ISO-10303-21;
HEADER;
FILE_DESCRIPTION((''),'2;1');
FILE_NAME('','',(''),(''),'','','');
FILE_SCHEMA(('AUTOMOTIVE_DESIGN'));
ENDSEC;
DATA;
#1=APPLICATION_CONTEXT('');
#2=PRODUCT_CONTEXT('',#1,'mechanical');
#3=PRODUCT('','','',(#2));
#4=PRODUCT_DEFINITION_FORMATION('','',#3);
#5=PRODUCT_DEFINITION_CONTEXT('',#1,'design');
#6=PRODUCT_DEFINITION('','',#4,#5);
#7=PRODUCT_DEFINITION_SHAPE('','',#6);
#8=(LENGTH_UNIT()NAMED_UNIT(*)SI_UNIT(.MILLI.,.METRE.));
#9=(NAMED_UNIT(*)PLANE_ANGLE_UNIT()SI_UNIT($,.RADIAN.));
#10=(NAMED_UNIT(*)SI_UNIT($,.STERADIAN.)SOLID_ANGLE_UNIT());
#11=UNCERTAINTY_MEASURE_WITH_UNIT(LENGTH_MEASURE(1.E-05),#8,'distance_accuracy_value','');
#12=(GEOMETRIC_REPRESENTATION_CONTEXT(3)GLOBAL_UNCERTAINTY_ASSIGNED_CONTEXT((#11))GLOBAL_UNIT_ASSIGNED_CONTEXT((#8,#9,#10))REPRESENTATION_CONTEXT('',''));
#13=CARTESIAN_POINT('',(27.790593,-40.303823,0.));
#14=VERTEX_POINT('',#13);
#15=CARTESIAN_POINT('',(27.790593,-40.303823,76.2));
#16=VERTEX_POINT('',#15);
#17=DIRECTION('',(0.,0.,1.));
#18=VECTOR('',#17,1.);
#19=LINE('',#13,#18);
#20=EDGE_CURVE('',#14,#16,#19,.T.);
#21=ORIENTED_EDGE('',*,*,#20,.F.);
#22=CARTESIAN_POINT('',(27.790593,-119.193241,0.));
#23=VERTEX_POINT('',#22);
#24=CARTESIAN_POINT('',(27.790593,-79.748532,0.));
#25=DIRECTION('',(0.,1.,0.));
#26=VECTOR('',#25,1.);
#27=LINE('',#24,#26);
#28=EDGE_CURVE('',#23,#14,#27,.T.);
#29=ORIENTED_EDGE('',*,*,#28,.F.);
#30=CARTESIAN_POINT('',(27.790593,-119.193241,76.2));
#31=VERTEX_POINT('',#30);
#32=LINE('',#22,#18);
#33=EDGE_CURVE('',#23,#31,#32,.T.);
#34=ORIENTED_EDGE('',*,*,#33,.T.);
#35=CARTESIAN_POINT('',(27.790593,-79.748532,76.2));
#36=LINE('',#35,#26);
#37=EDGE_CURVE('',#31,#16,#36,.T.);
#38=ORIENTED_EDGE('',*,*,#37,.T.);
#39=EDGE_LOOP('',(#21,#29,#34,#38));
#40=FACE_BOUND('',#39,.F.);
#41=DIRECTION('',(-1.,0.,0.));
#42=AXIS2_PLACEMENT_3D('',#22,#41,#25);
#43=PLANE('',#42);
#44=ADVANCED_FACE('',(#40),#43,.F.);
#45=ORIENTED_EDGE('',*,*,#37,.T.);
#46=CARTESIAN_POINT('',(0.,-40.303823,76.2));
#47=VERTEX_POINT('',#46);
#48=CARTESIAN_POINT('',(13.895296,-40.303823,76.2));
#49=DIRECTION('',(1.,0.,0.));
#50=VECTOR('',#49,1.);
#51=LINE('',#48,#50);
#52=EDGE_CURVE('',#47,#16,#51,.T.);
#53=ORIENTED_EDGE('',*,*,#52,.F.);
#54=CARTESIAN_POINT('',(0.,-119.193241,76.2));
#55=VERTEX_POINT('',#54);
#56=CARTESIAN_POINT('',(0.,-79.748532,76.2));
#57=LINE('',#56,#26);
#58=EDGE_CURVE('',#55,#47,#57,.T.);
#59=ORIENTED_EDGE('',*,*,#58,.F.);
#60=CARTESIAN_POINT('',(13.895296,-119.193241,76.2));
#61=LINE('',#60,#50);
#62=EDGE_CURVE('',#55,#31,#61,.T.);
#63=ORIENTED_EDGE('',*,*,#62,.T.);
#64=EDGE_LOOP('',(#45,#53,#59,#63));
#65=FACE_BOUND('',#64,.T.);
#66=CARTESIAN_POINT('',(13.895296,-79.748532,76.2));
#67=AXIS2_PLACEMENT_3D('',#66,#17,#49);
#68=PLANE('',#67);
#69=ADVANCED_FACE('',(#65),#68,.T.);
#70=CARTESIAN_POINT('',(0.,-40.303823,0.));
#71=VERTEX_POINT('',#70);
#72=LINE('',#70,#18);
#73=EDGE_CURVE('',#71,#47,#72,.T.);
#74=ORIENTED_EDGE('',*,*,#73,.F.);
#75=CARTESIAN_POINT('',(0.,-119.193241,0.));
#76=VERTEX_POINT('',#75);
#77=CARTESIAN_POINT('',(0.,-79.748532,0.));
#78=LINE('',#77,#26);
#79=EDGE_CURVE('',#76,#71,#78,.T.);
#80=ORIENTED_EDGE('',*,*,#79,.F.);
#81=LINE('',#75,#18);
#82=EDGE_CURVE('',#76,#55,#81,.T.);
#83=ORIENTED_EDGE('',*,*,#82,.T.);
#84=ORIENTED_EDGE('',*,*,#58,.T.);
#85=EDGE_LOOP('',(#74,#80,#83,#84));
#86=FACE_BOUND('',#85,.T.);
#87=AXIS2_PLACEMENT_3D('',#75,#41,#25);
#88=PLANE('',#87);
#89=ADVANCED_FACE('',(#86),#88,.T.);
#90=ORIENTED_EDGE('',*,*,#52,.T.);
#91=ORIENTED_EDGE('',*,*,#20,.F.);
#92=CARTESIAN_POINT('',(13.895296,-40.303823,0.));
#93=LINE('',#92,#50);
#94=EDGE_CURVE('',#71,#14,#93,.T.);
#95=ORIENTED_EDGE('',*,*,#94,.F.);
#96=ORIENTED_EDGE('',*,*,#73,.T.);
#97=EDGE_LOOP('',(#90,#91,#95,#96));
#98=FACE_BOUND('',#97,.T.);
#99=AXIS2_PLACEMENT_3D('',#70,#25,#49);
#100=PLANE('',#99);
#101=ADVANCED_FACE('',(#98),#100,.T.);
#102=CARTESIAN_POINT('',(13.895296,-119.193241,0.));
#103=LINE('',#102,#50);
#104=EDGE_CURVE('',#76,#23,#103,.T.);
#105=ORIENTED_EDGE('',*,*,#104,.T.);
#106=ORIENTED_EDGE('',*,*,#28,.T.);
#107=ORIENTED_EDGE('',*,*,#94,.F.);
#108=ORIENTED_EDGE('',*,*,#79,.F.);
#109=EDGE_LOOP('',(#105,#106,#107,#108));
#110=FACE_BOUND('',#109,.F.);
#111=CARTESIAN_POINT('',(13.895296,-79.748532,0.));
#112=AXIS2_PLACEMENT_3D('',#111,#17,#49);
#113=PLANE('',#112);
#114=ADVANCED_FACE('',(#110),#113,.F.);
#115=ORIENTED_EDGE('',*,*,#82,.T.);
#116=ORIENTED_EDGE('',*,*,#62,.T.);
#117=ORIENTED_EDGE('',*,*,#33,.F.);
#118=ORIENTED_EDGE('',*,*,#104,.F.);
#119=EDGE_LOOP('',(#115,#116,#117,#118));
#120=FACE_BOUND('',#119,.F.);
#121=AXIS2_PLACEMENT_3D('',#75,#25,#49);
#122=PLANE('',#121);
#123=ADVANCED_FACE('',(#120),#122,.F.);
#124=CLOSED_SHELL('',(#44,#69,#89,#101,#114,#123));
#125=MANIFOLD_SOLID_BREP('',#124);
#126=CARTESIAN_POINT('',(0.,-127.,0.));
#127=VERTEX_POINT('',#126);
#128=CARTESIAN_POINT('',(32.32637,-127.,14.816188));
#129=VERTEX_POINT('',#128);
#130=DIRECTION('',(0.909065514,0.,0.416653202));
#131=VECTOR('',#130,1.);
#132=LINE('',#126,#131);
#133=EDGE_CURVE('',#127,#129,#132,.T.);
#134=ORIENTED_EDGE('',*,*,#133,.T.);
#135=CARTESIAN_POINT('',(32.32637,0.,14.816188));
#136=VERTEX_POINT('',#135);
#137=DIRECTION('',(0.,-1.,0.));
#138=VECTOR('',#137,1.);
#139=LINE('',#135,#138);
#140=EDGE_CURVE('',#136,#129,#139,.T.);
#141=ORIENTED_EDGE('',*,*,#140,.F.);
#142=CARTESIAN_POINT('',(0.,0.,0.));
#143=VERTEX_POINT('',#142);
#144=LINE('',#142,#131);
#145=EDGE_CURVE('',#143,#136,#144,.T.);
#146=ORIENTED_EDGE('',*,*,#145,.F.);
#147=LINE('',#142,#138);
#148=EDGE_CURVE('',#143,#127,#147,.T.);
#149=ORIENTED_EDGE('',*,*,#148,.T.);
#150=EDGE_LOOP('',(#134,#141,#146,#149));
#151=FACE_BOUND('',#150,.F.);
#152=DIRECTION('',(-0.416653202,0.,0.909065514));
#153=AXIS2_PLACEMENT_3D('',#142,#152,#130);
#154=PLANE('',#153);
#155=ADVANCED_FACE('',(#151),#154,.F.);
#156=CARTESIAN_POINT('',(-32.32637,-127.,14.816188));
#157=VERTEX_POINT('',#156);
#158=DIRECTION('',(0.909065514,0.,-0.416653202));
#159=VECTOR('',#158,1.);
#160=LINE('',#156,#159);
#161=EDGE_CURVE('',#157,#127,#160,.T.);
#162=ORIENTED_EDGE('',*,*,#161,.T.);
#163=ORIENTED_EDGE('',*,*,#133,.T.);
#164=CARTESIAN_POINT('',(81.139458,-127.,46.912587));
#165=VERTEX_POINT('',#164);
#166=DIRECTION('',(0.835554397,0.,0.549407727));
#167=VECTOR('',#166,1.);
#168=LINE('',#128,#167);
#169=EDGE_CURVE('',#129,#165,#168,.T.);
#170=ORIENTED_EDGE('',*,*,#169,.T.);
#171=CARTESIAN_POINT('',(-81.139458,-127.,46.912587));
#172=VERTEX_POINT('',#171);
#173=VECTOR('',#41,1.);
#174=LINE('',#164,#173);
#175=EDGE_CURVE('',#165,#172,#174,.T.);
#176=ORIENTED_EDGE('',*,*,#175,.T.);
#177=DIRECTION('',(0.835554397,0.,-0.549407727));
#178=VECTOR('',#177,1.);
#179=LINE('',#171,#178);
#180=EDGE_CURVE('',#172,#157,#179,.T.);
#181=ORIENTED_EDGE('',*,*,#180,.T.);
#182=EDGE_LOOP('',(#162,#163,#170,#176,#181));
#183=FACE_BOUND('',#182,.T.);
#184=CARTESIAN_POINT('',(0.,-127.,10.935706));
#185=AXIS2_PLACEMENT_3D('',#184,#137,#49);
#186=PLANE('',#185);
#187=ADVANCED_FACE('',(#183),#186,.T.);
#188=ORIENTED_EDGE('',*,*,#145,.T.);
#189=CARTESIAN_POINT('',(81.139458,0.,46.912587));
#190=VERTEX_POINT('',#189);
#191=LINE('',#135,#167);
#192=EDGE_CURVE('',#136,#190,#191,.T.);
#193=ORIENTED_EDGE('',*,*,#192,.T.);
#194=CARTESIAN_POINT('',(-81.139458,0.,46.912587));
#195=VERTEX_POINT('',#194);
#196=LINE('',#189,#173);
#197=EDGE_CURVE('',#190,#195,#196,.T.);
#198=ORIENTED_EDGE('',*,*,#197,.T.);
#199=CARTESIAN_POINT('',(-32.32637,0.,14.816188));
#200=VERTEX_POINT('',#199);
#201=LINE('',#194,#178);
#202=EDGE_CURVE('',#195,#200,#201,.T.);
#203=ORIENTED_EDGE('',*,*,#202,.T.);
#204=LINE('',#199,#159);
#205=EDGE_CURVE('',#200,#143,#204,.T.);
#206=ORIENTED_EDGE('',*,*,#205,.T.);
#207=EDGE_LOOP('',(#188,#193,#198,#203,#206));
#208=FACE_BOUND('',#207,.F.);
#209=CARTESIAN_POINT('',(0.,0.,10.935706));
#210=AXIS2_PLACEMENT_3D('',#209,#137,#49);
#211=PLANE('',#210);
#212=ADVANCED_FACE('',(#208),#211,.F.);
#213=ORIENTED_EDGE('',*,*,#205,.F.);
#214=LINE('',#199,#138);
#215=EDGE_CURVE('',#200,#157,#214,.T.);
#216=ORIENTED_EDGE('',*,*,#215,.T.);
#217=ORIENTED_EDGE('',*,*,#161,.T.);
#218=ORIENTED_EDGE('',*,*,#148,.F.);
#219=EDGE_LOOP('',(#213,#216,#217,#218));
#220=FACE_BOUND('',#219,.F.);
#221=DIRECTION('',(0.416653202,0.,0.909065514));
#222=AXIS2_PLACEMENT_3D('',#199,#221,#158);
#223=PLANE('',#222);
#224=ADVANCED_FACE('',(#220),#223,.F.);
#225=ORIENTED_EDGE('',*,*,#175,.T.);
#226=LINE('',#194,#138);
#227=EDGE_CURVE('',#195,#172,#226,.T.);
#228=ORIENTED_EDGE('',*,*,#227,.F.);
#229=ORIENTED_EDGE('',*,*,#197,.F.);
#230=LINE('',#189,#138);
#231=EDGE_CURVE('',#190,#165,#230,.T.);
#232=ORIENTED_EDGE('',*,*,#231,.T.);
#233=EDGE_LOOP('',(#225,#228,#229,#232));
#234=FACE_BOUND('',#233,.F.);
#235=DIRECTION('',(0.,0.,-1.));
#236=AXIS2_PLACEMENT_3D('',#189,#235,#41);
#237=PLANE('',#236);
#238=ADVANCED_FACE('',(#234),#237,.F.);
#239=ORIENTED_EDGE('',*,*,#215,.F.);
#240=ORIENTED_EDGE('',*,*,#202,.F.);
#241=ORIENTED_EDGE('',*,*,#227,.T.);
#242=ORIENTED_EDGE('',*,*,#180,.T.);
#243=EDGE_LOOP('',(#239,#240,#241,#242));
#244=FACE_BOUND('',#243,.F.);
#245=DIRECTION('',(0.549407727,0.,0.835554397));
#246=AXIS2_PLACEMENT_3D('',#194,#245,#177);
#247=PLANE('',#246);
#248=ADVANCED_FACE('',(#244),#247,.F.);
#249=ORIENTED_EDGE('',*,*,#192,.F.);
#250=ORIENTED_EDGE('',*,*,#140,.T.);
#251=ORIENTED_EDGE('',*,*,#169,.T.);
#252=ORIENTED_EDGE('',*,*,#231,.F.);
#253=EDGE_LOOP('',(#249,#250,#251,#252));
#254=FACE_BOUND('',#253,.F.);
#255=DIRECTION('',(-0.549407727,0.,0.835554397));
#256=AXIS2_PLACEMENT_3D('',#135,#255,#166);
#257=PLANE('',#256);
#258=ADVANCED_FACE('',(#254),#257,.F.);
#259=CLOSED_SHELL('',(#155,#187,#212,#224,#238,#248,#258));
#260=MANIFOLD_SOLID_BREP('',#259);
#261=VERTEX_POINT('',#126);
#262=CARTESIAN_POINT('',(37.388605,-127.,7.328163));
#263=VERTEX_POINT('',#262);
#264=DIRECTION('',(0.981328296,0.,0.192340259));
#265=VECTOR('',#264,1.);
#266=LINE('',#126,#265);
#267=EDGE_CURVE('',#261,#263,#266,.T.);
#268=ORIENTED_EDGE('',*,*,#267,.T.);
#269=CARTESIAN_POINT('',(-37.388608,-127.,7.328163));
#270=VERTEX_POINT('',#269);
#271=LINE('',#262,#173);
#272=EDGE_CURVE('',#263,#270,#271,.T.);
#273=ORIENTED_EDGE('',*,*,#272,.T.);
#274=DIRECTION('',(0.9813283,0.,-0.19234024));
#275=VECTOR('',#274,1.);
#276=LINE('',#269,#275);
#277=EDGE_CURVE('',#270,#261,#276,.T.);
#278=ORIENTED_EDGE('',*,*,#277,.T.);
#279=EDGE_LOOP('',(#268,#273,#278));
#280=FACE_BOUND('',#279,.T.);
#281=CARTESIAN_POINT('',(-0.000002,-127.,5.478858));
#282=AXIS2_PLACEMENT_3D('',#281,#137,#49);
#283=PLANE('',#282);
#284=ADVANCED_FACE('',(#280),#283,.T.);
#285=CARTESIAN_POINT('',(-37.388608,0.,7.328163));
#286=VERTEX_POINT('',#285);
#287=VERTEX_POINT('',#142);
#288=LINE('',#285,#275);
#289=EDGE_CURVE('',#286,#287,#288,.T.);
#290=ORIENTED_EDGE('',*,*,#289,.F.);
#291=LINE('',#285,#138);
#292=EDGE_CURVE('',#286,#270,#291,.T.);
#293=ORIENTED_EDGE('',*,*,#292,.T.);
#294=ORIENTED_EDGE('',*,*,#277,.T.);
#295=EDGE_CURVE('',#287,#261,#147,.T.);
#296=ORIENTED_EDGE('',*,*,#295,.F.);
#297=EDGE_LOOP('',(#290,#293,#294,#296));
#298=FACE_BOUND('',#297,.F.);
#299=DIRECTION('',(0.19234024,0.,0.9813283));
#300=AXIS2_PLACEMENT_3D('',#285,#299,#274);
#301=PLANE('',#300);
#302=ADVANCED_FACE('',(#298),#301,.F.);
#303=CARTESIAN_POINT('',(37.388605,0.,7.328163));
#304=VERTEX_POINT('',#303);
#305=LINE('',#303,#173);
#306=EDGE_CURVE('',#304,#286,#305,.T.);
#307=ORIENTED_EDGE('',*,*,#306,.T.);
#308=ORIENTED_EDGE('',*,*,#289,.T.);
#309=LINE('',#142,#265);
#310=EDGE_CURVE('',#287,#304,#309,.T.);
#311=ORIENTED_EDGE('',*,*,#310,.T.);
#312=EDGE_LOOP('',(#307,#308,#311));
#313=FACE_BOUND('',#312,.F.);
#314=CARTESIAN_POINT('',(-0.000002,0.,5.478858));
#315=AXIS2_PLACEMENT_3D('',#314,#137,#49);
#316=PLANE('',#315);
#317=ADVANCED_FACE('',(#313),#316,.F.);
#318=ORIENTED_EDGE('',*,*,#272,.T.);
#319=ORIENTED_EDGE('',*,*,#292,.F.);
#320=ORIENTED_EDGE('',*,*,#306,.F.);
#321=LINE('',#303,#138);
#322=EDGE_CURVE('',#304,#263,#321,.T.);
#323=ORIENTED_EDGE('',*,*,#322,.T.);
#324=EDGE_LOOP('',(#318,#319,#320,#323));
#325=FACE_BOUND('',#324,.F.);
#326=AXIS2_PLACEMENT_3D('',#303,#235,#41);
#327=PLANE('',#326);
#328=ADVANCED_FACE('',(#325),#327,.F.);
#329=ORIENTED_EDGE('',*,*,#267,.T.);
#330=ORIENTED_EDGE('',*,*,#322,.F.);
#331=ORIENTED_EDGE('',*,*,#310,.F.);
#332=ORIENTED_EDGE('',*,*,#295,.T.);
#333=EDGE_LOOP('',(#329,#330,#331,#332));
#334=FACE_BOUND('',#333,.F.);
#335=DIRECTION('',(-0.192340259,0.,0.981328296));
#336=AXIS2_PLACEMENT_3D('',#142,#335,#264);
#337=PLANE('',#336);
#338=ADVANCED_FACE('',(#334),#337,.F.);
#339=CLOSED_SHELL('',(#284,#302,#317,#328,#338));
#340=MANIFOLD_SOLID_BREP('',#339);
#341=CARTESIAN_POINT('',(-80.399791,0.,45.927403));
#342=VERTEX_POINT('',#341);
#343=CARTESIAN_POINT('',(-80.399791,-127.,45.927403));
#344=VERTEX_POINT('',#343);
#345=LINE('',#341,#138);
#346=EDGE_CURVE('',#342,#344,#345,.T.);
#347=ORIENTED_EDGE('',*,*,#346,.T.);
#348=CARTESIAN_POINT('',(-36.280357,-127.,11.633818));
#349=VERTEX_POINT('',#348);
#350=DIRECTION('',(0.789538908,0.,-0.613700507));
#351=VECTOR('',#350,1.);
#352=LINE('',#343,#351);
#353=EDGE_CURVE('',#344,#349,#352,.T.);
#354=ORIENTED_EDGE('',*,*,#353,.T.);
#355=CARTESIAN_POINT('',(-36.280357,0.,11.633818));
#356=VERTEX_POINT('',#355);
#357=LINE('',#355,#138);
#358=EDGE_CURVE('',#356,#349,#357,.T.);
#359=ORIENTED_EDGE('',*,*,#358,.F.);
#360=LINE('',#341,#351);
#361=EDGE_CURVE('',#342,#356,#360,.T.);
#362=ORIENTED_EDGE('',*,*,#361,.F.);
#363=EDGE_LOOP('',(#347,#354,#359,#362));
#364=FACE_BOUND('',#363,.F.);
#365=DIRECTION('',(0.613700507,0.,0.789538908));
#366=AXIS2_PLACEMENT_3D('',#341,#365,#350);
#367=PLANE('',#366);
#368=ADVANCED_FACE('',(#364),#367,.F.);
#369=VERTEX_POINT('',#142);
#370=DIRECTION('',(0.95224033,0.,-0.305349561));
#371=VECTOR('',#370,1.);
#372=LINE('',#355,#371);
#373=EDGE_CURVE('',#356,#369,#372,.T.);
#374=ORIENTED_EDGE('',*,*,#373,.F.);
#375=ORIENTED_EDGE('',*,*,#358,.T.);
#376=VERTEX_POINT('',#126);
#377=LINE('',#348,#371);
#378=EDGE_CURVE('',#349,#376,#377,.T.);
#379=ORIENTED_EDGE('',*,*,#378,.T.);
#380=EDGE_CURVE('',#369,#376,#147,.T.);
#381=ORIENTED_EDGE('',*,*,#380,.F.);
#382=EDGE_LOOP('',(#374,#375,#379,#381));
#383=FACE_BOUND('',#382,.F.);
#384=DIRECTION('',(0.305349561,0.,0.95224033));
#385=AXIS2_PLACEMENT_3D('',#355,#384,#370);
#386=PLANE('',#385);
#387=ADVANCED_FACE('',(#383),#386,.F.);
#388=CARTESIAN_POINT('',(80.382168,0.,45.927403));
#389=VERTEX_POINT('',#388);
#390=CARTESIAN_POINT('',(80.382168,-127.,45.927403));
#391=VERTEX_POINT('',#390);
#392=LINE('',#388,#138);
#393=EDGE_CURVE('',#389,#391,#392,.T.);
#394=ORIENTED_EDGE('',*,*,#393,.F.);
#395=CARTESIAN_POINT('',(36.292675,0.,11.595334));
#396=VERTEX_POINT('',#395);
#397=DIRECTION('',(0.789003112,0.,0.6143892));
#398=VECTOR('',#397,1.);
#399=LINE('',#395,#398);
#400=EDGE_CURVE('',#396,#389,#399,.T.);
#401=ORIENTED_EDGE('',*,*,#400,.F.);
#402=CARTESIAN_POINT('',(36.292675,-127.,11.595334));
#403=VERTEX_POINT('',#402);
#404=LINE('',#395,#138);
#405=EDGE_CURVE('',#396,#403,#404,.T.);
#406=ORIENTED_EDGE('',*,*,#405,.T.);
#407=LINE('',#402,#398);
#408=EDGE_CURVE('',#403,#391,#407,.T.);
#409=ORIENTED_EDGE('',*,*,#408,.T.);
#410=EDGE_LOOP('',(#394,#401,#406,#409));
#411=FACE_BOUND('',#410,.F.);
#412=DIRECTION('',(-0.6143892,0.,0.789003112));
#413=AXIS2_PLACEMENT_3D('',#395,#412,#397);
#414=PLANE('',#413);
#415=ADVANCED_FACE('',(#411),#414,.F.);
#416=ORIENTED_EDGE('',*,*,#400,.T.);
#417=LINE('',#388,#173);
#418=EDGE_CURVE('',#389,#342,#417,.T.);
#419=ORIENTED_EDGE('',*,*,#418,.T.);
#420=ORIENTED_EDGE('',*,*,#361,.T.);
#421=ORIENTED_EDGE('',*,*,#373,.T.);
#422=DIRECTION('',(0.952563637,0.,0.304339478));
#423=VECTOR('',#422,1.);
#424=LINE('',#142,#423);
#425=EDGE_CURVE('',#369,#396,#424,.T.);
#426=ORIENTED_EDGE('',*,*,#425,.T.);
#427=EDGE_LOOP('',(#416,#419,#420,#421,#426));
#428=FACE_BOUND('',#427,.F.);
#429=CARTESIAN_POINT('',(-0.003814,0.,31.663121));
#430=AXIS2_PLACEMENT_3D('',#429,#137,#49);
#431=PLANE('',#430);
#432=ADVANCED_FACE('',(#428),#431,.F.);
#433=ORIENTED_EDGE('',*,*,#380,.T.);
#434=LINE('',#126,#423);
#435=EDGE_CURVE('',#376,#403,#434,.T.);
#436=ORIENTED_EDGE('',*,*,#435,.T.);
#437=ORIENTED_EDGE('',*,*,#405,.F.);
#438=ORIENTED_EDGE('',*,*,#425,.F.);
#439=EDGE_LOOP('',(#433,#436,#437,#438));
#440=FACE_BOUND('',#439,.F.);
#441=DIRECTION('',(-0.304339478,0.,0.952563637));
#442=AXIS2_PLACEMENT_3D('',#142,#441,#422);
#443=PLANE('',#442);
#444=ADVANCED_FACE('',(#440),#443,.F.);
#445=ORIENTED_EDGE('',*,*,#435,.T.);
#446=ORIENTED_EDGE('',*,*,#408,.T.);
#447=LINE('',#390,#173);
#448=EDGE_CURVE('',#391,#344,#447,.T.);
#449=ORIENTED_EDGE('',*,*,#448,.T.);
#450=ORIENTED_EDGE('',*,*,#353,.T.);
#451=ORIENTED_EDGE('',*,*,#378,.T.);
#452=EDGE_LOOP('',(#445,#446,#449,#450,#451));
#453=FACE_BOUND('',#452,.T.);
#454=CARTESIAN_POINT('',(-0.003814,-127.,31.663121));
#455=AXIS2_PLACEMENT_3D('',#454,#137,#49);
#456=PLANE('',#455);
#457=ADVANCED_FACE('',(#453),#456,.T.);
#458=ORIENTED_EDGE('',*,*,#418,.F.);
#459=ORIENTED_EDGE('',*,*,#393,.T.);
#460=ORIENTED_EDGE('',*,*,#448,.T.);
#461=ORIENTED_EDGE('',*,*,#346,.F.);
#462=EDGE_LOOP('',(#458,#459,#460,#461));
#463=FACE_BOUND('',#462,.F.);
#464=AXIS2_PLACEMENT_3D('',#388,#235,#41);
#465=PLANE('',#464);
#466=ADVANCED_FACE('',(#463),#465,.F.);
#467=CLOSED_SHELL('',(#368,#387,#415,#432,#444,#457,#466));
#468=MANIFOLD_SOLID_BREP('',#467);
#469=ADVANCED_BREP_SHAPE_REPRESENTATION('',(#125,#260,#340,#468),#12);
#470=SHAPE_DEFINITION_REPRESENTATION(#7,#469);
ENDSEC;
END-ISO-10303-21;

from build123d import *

# Parameters (mm, degrees)
F3_DEPTH = 127
F4_W     = 27.7905929834
F4_H     = 78.8894183934
F5_DEPTH = 76.2


with BuildPart() as f3:
    # F0 (on Front) → F3 (new body)
    with BuildSketch(Plane.XZ):
        Polygon((-37.3886082215, 7.3281631574), (0, 0), (37.388604509, 7.3281631574), align=None)
    extrude(amount=F3_DEPTH)


with BuildPart() as f3b:
    # F1 (on Front) → F3, piece 2 (new body)
    with BuildSketch(Plane.XZ):
        Polygon((-36.2803565689, 11.6338182567), (0, 0), (36.2926745631, 11.595334107), (80.3821684599, 45.9274026134), (-80.3997907445, 45.9274026134), align=None)
    extrude(amount=F3_DEPTH)


with BuildPart() as f3c:
    # F2 (on Front) → F3, piece 3 (new body)
    with BuildSketch(Plane.XZ):
        Polygon((-32.3263696832, 14.8161878736), (0, 0), (32.3263696832, 14.8161878736), align=None)
        Polygon((-81.1394575293, 46.9125872811), (-32.3263696832, 14.8161878736), (32.3263696832, 14.8161878736), (81.1394575293, 46.9125872811), align=None)
    extrude(amount=F3_DEPTH)


with BuildPart() as f5:
    # F4 (on Top) → F5 (new body)
    with BuildSketch(Plane.XY):
        with Locations((13.8952964917, -79.7485318035)):
            Rectangle(F4_W, F4_H)
    extrude(amount=F5_DEPTH)


solid = Compound([f3.part, f3b.part, f3c.part, f5.part])
